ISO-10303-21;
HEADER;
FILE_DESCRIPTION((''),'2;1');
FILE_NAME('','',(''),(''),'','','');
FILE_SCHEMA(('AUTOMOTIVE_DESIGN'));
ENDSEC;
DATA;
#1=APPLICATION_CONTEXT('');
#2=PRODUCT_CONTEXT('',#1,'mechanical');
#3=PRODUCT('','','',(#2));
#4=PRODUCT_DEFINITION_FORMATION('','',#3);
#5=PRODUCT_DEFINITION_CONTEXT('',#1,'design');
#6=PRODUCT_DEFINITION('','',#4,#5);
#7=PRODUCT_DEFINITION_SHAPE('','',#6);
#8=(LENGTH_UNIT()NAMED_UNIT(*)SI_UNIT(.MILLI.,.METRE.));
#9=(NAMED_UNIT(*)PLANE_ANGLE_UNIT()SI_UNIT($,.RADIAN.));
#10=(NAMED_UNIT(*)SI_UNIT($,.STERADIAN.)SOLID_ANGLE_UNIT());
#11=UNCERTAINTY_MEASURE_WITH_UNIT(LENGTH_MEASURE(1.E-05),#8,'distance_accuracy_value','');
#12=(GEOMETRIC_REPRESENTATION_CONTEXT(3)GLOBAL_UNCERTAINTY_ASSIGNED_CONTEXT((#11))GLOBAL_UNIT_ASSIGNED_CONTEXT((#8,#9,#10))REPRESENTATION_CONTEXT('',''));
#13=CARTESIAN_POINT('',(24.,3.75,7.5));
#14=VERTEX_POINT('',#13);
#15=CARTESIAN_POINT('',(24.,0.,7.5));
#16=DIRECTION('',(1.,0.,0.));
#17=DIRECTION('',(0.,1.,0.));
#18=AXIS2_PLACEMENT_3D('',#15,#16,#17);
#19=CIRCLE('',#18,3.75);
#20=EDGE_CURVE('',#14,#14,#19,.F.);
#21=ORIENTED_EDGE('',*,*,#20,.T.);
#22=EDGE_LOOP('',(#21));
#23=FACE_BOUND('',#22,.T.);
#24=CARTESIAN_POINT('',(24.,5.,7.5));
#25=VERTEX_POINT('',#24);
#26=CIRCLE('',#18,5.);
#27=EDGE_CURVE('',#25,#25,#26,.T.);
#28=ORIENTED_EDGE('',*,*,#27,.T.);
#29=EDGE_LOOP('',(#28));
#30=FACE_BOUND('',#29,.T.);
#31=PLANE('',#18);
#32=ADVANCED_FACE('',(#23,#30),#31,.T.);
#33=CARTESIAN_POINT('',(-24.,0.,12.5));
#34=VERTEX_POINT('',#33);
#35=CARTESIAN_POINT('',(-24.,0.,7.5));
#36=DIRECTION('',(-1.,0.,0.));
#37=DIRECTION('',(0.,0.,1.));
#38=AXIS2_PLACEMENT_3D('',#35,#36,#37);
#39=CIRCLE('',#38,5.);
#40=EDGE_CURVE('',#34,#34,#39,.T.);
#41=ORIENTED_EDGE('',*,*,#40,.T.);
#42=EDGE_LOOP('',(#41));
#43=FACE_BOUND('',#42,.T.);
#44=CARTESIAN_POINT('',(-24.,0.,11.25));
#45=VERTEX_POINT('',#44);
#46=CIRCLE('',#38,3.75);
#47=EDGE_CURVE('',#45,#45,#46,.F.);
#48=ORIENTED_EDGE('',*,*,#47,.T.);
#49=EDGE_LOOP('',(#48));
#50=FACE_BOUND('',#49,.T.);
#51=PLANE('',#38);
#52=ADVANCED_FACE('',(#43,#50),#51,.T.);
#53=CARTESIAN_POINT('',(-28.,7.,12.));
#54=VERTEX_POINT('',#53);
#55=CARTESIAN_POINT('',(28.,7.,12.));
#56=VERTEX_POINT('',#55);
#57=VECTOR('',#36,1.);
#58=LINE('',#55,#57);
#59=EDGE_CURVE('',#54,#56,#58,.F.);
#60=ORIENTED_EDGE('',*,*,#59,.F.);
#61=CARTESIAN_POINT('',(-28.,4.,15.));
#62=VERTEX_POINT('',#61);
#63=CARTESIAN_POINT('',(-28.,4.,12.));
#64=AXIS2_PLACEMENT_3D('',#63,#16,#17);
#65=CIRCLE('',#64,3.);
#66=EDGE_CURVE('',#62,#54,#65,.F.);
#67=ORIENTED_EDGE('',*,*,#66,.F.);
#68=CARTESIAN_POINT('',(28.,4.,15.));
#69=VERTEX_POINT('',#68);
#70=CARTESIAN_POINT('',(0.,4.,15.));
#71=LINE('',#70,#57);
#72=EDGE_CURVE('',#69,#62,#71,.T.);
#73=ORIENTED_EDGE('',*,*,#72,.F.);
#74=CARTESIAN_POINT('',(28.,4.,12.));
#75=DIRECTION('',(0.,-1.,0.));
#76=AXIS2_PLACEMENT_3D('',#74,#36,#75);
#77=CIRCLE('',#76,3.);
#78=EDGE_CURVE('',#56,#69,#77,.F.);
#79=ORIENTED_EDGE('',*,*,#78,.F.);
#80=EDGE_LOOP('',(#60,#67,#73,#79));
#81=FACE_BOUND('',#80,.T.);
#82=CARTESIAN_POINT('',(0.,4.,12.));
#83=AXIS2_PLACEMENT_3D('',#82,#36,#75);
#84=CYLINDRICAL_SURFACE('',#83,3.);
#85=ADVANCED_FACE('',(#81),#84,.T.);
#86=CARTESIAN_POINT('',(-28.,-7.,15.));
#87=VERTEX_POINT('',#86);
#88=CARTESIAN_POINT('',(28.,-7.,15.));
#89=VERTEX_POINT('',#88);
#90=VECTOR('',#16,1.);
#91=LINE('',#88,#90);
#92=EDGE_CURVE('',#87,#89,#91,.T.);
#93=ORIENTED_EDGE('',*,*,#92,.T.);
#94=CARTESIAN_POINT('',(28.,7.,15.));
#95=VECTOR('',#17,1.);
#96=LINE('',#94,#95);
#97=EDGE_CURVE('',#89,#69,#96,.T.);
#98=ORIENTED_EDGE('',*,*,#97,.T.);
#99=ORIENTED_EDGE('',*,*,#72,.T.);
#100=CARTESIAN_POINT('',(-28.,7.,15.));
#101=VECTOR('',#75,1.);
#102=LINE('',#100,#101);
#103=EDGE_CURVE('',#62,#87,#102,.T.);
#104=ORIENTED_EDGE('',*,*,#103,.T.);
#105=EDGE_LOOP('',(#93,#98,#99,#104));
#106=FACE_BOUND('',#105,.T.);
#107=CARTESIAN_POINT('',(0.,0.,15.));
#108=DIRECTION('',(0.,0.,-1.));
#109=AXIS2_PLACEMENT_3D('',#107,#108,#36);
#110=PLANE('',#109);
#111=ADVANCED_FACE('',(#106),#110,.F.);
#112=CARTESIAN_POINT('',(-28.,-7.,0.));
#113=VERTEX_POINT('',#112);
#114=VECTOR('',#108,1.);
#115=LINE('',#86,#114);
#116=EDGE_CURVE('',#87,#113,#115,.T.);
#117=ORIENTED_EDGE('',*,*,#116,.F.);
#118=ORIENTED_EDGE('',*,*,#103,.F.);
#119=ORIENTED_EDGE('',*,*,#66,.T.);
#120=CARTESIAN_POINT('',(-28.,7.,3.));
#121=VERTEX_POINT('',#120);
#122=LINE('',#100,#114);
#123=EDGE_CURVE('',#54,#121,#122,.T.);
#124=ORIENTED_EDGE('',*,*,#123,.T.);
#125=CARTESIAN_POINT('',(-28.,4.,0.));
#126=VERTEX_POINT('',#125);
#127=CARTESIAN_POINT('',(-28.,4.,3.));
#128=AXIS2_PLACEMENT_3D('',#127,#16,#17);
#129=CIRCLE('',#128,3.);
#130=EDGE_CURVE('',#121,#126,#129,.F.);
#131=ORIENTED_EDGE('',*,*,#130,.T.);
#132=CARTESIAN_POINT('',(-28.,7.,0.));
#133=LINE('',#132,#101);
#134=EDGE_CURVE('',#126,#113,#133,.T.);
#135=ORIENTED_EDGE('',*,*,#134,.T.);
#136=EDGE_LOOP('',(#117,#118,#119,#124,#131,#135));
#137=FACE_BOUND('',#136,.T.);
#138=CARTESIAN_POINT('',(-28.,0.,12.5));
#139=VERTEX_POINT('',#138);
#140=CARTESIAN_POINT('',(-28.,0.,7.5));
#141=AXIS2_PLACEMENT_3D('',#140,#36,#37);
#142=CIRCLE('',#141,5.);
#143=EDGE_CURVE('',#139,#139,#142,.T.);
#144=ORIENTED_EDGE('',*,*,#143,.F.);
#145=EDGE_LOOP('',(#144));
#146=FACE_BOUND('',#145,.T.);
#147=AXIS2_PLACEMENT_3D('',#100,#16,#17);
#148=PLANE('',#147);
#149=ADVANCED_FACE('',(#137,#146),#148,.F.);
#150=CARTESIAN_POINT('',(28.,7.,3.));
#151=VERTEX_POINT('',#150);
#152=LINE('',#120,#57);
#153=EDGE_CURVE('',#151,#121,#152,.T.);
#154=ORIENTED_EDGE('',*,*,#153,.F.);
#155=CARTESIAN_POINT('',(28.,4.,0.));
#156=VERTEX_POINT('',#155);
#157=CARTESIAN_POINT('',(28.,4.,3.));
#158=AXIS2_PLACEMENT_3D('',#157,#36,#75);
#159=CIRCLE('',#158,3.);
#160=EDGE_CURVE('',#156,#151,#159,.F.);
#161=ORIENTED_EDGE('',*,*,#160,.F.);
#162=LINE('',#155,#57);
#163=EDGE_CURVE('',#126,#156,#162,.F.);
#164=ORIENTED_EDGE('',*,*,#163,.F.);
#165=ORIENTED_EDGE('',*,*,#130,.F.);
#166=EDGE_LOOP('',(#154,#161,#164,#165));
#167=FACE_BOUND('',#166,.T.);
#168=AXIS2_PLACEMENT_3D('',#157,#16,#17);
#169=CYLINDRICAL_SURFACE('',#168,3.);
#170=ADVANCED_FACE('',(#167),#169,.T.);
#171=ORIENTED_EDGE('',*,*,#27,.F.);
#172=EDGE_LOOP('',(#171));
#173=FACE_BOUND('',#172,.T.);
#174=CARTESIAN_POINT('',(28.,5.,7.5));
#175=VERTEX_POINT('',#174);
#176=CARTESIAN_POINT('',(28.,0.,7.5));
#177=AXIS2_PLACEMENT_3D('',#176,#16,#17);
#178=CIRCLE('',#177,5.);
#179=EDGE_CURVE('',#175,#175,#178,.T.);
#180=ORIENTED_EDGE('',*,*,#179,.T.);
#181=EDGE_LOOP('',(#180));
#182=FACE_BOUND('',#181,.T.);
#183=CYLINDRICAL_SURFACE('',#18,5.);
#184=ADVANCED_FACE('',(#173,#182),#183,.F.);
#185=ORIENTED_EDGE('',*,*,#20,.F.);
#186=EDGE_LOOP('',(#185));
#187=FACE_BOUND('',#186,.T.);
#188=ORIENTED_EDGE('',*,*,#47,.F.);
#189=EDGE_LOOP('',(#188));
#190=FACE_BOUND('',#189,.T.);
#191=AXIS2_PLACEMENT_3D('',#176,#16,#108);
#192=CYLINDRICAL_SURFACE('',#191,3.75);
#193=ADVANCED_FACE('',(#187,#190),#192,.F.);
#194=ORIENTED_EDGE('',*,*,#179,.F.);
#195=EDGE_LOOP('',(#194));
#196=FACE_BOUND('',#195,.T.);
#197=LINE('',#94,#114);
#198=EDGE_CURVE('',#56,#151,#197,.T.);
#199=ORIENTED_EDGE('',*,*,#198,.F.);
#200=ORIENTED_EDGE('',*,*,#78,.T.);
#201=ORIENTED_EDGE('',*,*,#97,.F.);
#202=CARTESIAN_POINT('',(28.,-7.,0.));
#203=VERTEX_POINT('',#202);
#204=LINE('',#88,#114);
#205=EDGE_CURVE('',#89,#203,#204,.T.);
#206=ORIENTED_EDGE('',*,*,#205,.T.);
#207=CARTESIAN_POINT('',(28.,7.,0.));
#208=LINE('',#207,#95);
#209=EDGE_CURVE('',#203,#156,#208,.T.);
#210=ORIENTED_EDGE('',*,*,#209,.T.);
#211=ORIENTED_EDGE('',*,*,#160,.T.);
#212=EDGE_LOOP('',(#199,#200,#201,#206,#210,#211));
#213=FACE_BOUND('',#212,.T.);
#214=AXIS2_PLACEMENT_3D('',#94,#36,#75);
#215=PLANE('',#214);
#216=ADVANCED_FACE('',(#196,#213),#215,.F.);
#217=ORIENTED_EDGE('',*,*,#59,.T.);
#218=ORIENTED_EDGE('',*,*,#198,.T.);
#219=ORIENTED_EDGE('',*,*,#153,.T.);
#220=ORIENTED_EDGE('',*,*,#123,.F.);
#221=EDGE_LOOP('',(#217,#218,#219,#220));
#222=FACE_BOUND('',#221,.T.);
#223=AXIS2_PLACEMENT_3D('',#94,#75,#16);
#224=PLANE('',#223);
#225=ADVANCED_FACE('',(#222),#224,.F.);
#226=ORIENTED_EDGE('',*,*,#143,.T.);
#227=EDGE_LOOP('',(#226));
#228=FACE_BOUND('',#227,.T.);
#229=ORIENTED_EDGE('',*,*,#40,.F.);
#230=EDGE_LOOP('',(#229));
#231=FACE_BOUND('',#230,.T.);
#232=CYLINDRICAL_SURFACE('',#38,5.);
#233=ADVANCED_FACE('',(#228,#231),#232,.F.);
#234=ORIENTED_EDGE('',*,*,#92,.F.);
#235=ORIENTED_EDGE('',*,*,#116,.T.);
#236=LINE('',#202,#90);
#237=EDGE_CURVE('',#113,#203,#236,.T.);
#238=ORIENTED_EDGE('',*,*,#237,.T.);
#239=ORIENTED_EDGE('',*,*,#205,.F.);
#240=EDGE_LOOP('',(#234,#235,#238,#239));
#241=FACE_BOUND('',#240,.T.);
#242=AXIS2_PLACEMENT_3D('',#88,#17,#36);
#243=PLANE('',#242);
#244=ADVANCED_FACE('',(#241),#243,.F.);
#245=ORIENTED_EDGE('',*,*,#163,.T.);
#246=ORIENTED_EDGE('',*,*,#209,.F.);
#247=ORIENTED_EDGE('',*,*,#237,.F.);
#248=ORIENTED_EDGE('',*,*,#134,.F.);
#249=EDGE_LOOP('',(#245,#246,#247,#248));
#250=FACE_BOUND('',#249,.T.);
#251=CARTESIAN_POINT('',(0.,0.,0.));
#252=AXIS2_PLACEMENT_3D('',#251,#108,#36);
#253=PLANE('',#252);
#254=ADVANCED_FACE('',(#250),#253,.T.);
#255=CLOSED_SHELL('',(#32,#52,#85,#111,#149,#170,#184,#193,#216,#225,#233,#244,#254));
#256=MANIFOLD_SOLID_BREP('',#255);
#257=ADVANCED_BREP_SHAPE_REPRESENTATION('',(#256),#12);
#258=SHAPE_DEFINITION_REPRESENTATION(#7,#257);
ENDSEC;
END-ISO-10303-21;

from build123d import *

# Parameters (mm, degrees)
SKETCH1_W                = 56
SKETCH1_H                = 14
BOSS_EXTRUDE1_DEPTH      = 15
F_3_0_3_DIAMETER_HOLE1_D = 7.5
SKETCH5_R                = 5
CUT_EXTRUDE1_DEPTH       = 4
CUT_EXTRUDE2_START       = -4
SKETCH6_R                = 5
CUT_EXTRUDE2_DEPTH       = 4
FILLET1_R                = 3


with BuildPart() as part:
    # Sketch1 → Boss-Extrude1 (new body)
    with BuildSketch(Plane.XY):
        Rectangle(SKETCH1_W, SKETCH1_H)
    extrude(amount=BOSS_EXTRUDE1_DEPTH)

    # Ø3.0 (3) Diameter Hole1 (through all)
    with Locations(Plane(origin=(28, 0, 0), x_dir=(0, 0, -1), z_dir=(1, 0, 0))):
        with Locations((-7.5, 0)):
            Hole(F_3_0_3_DIAMETER_HOLE1_D / 2)

    # Sketch5 → Cut-Extrude1 (cut)
    with BuildSketch(Plane(origin=(28, 0, 0), x_dir=(0, 0, -1), z_dir=(1, 0, 0))):
        with Locations(Location((-7.5, 0, 0), (0, 0, 90))):
            Circle(SKETCH5_R)
    extrude(amount=-CUT_EXTRUDE1_DEPTH, mode=Mode.SUBTRACT)

    # Sketch6 → Cut-Extrude2 (cut)
    with BuildSketch(Plane.ZY.offset(28).offset(CUT_EXTRUDE2_START)):
        with Locations(Location((7.5, 0, 0), (0, 0, 90))):
            Circle(SKETCH6_R)
    extrude(amount=CUT_EXTRUDE2_DEPTH, mode=Mode.SUBTRACT)

    # Fillet1
    fillet1_edges = [part.edges().sort_by_distance(p)[0] for p in [
        (0, 7, 15),
        (0, 7, 0),
    ]]
    fillet(fillet1_edges, radius=FILLET1_R)


solid = part.part
